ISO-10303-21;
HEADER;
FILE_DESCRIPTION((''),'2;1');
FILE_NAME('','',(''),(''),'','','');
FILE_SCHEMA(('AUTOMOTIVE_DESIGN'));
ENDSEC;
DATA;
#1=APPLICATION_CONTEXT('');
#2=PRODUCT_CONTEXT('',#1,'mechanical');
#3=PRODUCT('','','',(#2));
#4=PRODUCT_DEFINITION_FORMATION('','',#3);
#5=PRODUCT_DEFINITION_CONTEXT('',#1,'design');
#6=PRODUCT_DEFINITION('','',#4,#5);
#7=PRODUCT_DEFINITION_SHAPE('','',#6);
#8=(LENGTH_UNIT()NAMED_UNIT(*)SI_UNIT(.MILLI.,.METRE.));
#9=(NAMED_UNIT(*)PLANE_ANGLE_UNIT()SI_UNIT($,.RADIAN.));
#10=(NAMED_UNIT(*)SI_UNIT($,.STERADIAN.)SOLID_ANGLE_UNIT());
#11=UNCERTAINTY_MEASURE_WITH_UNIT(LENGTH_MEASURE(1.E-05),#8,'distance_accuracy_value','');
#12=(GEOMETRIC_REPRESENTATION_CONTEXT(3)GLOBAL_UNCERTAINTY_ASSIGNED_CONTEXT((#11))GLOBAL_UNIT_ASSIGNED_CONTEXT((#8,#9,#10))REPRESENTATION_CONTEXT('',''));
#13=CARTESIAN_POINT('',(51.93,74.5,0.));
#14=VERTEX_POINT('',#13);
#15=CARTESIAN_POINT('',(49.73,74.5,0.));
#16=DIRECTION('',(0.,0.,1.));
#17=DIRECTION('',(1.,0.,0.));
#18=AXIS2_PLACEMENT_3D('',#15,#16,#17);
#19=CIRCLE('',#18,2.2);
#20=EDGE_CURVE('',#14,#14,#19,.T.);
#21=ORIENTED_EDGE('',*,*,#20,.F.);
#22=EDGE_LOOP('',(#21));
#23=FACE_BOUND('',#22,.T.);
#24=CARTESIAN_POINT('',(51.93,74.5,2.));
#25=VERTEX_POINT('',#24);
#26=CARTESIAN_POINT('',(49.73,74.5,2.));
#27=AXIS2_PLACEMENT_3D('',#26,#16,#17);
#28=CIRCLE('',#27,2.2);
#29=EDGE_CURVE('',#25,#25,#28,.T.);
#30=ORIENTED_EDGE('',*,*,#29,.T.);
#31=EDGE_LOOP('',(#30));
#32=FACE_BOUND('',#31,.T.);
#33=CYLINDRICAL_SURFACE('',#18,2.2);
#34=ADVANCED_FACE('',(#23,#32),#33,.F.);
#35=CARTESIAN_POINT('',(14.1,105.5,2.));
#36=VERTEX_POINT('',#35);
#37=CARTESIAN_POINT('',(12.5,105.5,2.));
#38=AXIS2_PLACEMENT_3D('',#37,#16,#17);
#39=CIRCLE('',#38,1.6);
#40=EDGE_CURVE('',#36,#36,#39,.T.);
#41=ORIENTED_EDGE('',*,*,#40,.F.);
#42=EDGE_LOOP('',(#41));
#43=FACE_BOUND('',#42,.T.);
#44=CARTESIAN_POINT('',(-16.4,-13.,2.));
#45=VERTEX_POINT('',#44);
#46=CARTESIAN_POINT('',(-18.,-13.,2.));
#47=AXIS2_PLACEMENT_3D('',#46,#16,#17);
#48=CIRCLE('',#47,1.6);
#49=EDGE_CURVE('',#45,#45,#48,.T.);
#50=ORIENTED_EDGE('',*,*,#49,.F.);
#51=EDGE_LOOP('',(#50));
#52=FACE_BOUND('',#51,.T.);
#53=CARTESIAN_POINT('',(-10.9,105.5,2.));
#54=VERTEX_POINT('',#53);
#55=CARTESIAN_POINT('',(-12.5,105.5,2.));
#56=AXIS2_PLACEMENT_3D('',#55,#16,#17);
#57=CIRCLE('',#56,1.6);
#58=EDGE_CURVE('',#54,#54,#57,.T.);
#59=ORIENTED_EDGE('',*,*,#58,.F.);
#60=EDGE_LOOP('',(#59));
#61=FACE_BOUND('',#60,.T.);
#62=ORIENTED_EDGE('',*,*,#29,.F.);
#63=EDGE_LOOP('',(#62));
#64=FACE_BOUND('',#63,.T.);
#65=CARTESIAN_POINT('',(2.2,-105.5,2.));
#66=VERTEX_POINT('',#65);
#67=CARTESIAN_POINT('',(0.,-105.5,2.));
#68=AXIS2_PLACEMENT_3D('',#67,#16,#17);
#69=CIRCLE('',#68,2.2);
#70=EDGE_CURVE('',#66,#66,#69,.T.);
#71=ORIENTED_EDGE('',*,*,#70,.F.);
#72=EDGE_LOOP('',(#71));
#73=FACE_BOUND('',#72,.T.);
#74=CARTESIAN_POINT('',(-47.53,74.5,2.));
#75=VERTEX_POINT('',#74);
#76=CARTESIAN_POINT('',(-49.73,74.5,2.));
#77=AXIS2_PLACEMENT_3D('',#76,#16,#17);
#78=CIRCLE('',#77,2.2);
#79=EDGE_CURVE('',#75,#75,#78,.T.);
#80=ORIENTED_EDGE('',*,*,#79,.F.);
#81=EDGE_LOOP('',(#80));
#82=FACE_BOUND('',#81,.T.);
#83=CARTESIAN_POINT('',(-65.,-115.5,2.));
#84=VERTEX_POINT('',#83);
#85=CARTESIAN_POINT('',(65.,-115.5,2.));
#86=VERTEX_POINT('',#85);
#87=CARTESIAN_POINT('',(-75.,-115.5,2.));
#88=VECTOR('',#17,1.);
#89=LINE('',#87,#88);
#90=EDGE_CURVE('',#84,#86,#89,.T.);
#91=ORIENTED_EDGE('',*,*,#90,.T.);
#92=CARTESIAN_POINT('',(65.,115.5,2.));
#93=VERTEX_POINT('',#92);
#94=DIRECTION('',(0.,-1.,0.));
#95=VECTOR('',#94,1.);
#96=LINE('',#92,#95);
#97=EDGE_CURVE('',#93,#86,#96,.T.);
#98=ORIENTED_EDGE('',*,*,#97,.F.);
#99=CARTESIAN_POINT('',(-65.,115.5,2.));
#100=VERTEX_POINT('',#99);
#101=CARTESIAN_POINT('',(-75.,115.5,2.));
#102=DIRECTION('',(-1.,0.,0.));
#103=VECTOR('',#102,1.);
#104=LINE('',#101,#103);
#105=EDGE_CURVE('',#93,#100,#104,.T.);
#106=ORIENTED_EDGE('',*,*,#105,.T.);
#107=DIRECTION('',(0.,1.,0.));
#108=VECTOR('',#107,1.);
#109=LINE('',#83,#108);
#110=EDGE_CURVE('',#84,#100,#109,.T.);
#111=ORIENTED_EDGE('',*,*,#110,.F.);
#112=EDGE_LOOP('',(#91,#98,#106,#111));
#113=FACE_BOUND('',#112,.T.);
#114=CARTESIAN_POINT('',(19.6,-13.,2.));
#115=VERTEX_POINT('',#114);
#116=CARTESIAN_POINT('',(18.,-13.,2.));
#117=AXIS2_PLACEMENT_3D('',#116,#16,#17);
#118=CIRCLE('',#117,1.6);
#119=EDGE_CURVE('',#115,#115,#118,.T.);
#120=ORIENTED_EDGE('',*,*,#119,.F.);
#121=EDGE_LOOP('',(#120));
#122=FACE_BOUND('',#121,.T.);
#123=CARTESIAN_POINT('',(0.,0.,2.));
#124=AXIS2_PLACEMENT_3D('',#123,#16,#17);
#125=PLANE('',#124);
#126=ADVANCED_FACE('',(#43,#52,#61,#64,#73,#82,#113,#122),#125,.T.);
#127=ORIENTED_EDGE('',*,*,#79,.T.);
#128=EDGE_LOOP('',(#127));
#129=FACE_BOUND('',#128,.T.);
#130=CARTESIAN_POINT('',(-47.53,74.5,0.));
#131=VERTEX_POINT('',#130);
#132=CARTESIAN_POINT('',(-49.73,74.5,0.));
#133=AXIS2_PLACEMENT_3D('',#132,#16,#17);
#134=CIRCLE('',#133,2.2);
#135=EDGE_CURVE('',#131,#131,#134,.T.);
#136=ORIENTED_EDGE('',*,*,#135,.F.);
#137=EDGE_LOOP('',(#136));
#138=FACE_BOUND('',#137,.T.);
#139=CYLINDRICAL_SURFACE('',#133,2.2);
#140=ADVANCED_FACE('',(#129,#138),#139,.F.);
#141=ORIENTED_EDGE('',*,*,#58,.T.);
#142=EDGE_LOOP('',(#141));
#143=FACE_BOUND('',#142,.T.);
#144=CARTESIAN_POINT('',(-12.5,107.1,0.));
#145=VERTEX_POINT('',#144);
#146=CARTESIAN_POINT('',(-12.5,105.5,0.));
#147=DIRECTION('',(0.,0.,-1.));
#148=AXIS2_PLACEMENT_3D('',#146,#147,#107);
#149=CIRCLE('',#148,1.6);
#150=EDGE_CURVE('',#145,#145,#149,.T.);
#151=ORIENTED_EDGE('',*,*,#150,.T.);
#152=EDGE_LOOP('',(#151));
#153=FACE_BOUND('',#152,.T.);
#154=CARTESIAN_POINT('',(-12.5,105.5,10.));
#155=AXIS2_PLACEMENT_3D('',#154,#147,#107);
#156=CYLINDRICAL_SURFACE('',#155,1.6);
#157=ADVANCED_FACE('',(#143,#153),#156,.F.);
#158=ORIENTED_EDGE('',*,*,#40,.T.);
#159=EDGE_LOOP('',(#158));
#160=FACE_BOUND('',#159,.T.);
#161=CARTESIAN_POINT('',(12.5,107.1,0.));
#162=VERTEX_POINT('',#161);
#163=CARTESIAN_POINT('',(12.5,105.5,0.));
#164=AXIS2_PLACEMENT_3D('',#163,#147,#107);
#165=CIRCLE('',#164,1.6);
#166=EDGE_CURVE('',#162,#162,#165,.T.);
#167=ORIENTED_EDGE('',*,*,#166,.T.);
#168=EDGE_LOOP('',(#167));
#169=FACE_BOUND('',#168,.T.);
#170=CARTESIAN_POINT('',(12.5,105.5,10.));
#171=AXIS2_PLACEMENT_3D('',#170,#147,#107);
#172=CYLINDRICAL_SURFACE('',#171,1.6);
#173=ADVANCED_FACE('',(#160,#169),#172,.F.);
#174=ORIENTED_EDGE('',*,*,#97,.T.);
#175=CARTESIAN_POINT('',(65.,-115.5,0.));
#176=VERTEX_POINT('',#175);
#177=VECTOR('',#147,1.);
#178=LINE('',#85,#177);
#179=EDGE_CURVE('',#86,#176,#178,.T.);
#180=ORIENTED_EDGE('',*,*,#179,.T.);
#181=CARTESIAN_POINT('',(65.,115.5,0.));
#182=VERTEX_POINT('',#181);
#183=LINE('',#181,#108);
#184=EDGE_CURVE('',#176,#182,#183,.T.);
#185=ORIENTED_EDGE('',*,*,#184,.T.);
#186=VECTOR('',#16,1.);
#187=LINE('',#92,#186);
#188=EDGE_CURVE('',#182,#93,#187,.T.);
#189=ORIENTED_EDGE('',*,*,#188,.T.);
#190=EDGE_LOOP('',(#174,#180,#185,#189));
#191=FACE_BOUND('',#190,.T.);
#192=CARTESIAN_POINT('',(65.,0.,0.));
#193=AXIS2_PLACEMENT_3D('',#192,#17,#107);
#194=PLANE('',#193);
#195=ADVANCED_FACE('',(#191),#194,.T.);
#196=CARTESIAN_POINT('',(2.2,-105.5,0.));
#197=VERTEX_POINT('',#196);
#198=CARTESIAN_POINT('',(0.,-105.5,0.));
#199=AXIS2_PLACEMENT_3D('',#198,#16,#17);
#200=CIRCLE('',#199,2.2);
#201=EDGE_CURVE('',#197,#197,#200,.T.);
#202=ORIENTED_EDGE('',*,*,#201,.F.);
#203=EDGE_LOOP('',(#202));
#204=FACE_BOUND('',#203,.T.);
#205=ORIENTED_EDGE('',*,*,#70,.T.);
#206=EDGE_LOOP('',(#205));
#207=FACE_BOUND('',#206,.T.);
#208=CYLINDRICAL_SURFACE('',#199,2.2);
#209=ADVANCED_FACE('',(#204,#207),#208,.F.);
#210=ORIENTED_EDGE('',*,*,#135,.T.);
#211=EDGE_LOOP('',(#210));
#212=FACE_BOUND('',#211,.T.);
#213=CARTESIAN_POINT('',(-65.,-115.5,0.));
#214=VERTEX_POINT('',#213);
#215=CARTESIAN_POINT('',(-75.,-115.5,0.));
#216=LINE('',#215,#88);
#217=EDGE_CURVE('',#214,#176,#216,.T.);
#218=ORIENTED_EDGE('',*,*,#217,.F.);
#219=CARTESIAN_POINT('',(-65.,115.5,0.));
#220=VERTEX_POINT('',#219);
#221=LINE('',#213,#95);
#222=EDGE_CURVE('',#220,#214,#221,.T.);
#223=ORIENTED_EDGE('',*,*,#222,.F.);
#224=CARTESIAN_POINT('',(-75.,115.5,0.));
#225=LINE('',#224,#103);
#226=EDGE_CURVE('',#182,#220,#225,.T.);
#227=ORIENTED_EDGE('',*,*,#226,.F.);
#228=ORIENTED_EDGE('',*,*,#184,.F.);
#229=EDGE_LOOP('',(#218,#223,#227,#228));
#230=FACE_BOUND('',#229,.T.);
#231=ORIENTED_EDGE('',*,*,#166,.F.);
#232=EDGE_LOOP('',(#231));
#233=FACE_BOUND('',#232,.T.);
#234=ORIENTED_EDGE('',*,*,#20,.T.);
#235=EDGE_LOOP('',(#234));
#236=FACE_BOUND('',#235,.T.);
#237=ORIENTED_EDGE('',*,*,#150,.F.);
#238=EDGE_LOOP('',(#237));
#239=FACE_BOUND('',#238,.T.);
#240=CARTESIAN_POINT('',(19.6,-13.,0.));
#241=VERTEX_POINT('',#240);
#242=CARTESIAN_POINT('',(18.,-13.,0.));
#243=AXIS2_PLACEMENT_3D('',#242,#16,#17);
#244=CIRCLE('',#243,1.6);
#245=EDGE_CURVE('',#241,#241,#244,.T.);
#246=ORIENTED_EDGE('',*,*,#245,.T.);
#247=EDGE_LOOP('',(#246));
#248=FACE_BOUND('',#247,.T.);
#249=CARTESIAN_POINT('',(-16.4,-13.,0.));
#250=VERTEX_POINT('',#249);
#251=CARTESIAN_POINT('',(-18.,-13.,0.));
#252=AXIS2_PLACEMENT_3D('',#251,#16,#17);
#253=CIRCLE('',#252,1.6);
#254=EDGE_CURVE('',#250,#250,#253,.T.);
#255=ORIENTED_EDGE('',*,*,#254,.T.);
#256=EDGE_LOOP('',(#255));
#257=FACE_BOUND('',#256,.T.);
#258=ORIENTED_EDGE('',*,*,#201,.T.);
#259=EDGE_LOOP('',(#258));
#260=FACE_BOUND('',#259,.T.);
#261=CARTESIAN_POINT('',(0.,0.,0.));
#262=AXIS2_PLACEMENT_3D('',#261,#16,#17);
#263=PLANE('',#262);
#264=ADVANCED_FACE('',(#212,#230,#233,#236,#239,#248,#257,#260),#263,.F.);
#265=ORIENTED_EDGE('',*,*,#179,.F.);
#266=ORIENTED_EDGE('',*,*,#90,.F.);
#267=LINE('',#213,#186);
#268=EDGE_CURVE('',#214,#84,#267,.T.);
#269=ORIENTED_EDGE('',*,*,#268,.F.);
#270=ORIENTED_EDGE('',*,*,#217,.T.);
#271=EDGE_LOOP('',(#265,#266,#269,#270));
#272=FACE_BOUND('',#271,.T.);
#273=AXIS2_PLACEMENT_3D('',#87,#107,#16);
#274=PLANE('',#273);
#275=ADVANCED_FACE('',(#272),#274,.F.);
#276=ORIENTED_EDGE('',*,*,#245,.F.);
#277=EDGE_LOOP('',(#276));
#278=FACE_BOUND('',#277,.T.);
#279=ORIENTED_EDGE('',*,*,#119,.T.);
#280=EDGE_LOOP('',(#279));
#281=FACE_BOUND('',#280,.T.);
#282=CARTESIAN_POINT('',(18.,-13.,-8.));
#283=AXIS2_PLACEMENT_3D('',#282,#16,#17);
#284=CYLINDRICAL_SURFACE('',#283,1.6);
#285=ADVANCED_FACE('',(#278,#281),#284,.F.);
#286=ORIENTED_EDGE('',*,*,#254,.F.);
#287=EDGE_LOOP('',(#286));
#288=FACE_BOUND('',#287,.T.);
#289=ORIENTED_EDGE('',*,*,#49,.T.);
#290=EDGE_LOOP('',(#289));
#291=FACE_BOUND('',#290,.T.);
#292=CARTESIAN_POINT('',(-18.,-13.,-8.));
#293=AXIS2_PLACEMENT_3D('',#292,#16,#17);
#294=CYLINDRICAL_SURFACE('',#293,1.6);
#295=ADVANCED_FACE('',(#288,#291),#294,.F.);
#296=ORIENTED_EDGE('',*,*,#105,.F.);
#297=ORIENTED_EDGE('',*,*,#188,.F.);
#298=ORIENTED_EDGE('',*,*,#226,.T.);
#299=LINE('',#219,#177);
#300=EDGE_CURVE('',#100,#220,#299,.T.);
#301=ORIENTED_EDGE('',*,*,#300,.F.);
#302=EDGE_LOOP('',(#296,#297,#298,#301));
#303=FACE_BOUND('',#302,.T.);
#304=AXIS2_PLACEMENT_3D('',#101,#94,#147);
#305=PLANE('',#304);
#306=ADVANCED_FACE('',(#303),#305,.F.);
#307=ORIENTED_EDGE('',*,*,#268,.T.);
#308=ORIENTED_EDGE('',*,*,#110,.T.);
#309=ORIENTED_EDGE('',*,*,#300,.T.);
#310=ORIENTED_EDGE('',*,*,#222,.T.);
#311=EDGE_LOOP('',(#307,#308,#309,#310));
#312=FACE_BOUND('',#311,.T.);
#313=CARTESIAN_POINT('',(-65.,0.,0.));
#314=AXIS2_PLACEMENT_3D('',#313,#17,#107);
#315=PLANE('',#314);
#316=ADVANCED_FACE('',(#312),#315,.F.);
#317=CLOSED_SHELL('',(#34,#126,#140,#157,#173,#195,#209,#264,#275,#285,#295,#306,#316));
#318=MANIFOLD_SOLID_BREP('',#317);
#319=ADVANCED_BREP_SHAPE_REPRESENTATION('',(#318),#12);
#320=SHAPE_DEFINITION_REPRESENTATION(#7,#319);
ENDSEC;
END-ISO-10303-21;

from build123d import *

# Parameters (mm, degrees)
SKETCH_1_W          = 150
SKETCH_1_H          = 231
EXTRUDE_1_DEPTH     = 2
SKETCH_2_R          = 2.2
CUT_EXTRUDE_1_DEPTH = 2
SKETCH_3_R          = 1.6
CUT_EXTRUDE_2_DEPTH = 10
SKETCH_4_W          = 2
SKETCH_4_H          = 231
CUT_EXTRUDE_3_DEPTH = 10
SKETCH_5_W          = 2
SKETCH_5_H          = 231
CUT_EXTRUDE_4_DEPTH = 10
SKETCH_6_R          = 1.6
CUT_EXTRUDE_5_DEPTH = 10


with BuildPart() as part:
    # ｽｹｯﾁ1 → ﾎﾞｽ - 押し出し1 (new body)
    with BuildSketch(Plane.XY):
        Rectangle(SKETCH_1_W, SKETCH_1_H)
    extrude(amount=EXTRUDE_1_DEPTH)

    # ｽｹｯﾁ2 → ｶｯﾄ - 押し出し1 (cut)
    with BuildSketch(Plane.XY.offset(2)):
        with Locations((49.73, 74.5)):
            Circle(SKETCH_2_R)
        with Locations((-49.73, 74.5)):
            Circle(SKETCH_2_R)
        with Locations((0, -105.5)):
            Circle(SKETCH_2_R)
    extrude(amount=-CUT_EXTRUDE_1_DEPTH, mode=Mode.SUBTRACT)

    # ｽｹｯﾁ3 → ｶｯﾄ - 押し出し2 (cut)
    with BuildSketch(Plane.XY.offset(2)):
        with Locations((-18, -13)):
            Circle(SKETCH_3_R)
        with Locations((18, -13)):
            Circle(SKETCH_3_R)
    extrude(amount=-CUT_EXTRUDE_2_DEPTH, mode=Mode.SUBTRACT)

    # ｽｹｯﾁ4 → ｶｯﾄ - 押し出し3 (cut)
    with BuildSketch(Plane.ZY.offset(75)):
        with Locations((1, 0)):
            Rectangle(SKETCH_4_W, SKETCH_4_H)
    extrude(amount=-CUT_EXTRUDE_3_DEPTH, mode=Mode.SUBTRACT)

    # ｽｹｯﾁ5 → ｶｯﾄ - 押し出し4 (cut)
    with BuildSketch(Plane(origin=(75, 0, 0), x_dir=(0, 0, -1), z_dir=(1, 0, 0))):
        with Locations((-1, 0)):
            Rectangle(SKETCH_5_W, SKETCH_5_H)
    extrude(amount=-CUT_EXTRUDE_4_DEPTH, mode=Mode.SUBTRACT)

    # ｽｹｯﾁ6 → ｶｯﾄ - 押し出し5 (cut)
    with BuildSketch(Plane(origin=(0, 0, 0), x_dir=(-1, 0, 0), z_dir=(0, 0, -1))):
        with Locations((-12.5, 105.5)):
            Circle(SKETCH_6_R)
        with Locations((12.5, 105.5)):
            Circle(SKETCH_6_R)
    extrude(amount=-CUT_EXTRUDE_5_DEPTH, mode=Mode.SUBTRACT)


solid = part.part
